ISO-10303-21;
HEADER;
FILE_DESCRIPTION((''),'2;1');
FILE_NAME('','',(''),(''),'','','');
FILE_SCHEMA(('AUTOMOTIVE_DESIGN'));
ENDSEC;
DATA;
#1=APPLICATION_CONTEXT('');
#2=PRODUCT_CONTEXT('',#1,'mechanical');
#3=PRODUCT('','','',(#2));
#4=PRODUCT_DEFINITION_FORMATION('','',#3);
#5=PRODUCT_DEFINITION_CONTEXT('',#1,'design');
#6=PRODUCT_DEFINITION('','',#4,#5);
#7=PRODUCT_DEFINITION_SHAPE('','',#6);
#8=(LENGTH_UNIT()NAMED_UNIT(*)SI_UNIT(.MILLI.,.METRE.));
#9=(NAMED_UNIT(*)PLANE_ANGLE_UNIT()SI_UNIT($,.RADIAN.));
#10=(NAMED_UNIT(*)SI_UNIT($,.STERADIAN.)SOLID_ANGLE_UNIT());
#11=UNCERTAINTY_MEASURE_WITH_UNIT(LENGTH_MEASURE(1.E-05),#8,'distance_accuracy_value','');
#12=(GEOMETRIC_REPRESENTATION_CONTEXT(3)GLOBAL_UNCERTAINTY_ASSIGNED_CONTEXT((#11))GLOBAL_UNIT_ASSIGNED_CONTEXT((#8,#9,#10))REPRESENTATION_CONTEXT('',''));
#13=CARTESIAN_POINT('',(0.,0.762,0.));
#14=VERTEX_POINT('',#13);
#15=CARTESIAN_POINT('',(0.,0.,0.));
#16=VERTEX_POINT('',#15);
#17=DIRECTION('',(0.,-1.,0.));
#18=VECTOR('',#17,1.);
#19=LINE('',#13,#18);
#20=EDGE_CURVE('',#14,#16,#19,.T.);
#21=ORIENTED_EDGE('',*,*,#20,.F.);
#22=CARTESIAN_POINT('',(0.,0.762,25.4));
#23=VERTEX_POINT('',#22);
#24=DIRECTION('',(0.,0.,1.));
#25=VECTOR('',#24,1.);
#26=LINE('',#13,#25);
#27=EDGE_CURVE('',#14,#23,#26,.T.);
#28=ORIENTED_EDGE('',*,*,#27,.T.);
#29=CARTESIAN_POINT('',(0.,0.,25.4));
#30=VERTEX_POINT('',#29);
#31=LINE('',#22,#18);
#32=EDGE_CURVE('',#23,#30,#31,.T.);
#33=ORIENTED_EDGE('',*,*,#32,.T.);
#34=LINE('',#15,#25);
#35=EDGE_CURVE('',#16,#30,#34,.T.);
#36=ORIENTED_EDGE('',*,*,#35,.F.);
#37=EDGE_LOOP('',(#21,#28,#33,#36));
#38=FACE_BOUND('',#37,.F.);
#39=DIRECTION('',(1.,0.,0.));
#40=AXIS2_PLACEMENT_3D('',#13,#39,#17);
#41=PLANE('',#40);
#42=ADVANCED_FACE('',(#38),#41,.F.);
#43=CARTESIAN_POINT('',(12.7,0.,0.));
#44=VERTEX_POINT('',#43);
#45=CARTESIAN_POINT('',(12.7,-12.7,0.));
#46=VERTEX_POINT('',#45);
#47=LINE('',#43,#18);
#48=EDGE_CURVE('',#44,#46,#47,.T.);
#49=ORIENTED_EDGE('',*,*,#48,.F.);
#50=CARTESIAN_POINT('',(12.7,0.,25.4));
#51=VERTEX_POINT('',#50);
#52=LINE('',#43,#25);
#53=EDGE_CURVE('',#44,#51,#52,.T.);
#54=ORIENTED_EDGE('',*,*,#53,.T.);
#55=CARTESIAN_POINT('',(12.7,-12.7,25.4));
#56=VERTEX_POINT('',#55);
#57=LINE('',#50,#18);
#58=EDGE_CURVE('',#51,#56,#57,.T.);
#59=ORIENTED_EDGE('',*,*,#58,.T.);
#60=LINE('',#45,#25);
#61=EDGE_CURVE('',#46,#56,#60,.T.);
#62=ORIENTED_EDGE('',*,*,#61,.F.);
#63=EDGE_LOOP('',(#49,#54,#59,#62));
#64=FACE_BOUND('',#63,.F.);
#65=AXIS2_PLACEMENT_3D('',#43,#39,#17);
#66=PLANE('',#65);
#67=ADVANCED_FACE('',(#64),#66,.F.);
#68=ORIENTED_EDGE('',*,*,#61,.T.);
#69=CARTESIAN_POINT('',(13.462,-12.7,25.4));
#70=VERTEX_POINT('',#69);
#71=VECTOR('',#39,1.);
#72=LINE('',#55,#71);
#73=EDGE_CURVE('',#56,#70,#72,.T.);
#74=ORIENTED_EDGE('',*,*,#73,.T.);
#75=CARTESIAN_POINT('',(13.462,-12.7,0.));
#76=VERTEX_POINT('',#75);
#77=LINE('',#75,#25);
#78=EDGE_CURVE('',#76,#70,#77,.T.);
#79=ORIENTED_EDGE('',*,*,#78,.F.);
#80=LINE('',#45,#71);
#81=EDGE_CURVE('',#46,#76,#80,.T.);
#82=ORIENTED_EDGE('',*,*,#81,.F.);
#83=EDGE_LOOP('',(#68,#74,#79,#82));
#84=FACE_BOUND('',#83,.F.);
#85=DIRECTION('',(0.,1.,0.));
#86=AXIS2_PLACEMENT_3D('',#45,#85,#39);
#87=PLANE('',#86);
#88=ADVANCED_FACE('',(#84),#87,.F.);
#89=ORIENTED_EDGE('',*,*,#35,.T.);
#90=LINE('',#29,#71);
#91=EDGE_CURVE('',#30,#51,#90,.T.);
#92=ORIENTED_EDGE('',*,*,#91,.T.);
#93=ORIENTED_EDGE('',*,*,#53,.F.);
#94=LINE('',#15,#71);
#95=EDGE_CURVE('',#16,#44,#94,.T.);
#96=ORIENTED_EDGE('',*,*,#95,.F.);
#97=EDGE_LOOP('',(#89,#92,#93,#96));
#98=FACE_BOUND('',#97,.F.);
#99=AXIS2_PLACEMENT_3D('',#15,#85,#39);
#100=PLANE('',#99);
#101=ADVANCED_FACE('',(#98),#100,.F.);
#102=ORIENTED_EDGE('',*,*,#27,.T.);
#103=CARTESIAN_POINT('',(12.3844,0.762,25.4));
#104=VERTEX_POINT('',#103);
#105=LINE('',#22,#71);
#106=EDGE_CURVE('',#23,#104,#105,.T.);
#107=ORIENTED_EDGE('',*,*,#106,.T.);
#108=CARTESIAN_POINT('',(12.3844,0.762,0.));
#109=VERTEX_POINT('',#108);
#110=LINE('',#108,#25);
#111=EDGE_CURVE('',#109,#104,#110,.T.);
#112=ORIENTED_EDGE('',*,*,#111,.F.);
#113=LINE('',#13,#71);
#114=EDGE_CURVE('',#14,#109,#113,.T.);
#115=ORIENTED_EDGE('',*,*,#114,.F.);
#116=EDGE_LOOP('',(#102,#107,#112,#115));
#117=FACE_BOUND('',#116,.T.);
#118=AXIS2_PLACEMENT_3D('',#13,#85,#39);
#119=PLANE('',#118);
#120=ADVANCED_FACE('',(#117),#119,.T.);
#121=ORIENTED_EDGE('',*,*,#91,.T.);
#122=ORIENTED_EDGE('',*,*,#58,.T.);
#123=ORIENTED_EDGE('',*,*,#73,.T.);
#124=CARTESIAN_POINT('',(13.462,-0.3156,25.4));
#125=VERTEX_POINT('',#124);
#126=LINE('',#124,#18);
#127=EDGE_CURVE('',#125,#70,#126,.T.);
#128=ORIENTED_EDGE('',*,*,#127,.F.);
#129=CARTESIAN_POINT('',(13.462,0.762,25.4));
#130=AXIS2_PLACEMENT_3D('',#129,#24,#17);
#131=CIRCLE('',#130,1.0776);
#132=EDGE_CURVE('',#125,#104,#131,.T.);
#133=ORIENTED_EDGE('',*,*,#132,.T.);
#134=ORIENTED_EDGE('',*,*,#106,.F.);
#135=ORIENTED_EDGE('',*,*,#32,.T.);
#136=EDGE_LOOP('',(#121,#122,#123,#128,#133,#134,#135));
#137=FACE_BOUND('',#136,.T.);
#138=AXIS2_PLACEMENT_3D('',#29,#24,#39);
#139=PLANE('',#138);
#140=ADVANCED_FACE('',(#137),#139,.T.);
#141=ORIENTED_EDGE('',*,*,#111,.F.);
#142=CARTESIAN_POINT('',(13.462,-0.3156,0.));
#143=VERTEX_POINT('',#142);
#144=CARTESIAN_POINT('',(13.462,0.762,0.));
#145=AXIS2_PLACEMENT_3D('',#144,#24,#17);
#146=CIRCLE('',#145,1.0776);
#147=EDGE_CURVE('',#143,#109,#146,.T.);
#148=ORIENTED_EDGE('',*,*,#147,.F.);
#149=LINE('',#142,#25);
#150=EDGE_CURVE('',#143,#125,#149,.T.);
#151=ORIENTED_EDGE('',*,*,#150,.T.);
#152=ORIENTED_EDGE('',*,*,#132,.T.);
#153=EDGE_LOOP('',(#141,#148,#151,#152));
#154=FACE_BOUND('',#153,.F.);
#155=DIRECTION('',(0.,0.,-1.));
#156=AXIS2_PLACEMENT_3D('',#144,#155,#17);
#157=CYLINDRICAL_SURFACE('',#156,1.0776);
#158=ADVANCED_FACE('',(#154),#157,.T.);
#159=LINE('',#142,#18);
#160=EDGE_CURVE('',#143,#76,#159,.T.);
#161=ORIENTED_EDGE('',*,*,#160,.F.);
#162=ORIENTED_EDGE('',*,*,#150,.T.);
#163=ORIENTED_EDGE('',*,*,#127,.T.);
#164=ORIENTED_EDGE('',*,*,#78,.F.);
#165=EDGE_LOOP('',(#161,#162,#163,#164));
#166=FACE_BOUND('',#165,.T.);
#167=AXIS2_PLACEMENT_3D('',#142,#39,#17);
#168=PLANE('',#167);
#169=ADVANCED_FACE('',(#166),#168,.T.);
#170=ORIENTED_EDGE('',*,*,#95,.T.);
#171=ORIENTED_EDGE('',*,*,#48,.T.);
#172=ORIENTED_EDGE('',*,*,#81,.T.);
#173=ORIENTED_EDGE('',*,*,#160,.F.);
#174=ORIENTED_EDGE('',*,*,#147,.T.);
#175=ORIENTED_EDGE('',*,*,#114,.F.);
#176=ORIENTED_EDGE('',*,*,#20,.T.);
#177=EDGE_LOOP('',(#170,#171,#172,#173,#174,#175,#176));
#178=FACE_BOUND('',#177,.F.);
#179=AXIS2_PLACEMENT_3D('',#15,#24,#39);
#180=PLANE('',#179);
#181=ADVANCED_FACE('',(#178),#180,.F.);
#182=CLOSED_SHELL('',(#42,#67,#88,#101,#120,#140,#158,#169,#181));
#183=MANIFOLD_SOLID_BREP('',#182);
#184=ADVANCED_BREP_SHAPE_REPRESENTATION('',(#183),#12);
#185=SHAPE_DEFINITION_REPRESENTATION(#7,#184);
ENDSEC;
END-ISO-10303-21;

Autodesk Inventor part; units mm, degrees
ref_plane "YZ Plane" through (0, 0, 0) normal (1, 0, 0) x (0, 1, 0)
ref_plane "XZ Plane" through (0, 0, 0) normal (0, 1, 0) x (-1, 0, 0)
ref_plane "XY Plane" through (0, 0, 0) normal (0, 0, 1) x (1, 0, 0)
sketch "Sketch1" plane through (0, 0, 0) normal (0, 0, 1) x (1, 0, 0)
  line L0 (0, 0) -> (12.7, 0)
  line L1 (12.7, 0) -> (12.7, -12.7)
  line L2 (0, 0.762) -> (12.3844, 0.762)
  line L3 (13.462, -0.3156) -> (13.462, -12.7)
  line L4 (0, 0.762) -> (0, 0)
  line L5 (12.7, -12.7) -> (13.462, -12.7)
  arc A0 (13.462, -0.3156) -> (12.3844, 0.762) centre (13.462, 0.762) ccw
  dimension "d0" = 12.7
  dimension "d1" = 12.7
  dimension "d2" = 0.762
extrude "Extrusion1" add sketch "Sketch1" along normal blind 25.4
properties part number "Hinge_Rear" material "Brass, Soft Yellow"
